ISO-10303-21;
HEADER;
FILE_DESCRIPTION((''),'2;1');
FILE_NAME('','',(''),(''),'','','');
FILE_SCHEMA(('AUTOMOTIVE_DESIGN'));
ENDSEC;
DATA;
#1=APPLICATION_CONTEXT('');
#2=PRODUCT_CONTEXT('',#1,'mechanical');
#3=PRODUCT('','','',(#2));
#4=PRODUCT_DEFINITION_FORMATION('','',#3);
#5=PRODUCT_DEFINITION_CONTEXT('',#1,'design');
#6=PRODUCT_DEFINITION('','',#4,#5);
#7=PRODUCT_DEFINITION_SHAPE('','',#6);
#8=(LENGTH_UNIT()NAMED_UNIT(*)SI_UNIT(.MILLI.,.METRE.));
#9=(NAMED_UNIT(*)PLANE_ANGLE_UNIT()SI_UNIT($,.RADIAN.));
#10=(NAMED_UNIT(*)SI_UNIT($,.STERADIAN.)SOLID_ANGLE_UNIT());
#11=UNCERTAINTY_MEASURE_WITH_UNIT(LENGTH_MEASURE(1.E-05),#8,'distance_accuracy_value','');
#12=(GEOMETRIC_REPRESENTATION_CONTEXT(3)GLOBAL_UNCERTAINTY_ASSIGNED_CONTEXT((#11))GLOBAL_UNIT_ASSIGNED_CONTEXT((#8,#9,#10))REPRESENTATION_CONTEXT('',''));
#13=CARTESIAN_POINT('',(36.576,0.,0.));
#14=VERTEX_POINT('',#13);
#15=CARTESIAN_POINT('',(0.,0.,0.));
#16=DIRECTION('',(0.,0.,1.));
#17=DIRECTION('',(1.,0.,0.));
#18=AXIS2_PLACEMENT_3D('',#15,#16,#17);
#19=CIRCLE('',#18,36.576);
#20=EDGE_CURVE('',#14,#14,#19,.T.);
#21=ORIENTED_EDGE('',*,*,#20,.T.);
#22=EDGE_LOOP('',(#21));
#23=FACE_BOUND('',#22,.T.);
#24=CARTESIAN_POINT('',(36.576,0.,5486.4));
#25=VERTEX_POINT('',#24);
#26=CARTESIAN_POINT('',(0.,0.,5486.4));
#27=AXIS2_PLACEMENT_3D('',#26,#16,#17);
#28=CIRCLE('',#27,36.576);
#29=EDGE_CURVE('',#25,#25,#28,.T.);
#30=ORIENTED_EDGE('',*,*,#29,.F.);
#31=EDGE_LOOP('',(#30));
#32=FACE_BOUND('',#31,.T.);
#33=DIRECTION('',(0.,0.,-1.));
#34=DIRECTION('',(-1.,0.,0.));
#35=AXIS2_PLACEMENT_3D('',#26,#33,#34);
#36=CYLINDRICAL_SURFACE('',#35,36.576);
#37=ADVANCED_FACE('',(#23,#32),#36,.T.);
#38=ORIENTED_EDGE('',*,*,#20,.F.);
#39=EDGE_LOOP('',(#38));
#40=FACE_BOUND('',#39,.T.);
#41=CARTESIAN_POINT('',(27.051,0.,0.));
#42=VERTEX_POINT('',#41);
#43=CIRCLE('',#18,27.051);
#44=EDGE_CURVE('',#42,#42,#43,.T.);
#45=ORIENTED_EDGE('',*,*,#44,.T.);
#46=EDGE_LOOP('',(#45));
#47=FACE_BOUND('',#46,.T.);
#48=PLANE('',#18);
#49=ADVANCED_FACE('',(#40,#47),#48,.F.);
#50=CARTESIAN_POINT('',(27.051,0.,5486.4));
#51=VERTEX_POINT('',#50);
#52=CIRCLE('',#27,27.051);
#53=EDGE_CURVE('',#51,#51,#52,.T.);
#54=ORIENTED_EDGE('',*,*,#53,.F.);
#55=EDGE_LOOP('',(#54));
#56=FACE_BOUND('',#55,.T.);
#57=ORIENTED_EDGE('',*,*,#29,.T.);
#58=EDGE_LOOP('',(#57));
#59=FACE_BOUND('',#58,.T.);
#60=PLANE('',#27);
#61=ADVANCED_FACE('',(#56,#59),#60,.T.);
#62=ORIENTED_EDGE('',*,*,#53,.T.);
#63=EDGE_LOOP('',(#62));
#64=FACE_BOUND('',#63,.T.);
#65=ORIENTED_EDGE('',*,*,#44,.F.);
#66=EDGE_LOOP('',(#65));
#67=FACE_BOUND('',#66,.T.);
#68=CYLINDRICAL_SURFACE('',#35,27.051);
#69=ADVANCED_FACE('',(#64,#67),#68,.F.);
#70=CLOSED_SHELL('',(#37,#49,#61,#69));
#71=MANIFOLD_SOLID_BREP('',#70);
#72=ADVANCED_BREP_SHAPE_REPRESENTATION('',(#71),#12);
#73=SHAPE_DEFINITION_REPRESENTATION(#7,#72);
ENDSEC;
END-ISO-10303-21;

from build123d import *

# Parameters (mm, degrees)
PIPESKETCH_R    = 36.576
PIPESKETCH_R_2  = 27.051
EXTRUSION_DEPTH = 5486.4


with BuildPart() as part:
    # PipeSketch → Extrusion (new body)
    with BuildSketch(Plane.XY):
        Circle(PIPESKETCH_R)
        Circle(PIPESKETCH_R_2, mode=Mode.SUBTRACT)
    extrude(amount=EXTRUSION_DEPTH)


solid = part.part
